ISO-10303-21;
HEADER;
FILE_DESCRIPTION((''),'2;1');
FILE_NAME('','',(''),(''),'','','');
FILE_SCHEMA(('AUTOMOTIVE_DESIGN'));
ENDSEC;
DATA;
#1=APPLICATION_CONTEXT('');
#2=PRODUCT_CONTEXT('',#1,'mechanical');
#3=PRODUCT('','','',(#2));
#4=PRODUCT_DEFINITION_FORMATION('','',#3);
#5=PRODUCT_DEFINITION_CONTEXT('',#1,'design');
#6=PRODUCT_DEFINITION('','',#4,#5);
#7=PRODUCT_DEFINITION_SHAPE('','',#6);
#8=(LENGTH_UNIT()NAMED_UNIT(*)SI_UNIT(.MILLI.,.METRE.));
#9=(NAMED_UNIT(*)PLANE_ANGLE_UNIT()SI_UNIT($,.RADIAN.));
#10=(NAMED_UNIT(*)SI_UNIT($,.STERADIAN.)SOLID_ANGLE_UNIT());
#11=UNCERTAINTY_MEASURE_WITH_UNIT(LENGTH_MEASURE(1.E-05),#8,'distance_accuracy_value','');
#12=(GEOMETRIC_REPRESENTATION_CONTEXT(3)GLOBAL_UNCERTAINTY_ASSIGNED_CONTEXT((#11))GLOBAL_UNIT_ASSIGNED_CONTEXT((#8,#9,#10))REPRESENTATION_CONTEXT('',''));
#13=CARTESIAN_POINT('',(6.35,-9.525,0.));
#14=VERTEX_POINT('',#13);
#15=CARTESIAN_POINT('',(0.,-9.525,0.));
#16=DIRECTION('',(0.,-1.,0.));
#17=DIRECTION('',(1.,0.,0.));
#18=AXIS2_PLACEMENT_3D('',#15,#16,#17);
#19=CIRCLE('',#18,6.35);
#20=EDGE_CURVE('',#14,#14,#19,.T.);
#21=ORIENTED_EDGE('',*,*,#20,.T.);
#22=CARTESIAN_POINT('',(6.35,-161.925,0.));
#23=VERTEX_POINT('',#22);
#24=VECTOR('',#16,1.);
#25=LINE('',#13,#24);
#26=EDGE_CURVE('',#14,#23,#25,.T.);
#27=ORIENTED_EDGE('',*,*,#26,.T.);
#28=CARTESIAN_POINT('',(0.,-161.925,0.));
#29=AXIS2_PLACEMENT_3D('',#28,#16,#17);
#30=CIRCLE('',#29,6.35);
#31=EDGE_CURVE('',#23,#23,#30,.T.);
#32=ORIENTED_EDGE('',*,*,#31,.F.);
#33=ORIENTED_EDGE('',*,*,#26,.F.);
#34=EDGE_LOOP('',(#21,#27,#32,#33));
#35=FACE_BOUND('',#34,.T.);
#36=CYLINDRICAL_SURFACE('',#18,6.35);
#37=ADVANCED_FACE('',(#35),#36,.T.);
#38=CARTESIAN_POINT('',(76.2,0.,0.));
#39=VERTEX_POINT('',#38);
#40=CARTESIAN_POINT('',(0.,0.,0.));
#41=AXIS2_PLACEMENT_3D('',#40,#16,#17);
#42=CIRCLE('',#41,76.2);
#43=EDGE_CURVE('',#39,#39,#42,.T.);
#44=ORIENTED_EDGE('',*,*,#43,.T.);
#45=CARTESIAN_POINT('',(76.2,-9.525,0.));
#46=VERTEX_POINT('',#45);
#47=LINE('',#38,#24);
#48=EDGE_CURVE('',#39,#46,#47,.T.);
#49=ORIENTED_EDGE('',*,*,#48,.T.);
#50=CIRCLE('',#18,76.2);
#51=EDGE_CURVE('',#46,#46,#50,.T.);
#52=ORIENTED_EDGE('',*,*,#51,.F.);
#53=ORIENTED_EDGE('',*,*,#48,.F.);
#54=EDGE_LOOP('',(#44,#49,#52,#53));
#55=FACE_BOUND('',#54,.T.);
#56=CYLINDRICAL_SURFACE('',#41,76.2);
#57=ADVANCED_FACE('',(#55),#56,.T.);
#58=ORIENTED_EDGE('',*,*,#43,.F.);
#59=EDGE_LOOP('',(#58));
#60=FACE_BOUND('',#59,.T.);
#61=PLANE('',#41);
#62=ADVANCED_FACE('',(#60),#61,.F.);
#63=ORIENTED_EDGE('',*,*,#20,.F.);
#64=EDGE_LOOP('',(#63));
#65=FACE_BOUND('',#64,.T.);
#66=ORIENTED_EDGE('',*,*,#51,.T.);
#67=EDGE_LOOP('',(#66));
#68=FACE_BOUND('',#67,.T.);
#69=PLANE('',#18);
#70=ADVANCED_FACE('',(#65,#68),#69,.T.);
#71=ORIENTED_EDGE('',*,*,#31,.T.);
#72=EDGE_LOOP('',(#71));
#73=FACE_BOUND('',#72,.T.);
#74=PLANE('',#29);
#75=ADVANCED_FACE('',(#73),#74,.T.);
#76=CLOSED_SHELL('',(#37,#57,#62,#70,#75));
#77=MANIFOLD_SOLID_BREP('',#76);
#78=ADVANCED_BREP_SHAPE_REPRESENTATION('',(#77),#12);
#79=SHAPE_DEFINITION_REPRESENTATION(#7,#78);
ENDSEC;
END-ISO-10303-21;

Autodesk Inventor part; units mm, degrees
ref_plane "YZ Plane" through (0, 0, 0) normal (1, 0, 0) x (0, 1, 0)
ref_plane "XZ Plane" through (0, 0, 0) normal (0, 1, 0) x (-1, 0, 0)
ref_plane "XY Plane" through (0, 0, 0) normal (0, 0, 1) x (1, 0, 0)
sketch "Sketch1" plane through (0, 0, 0) normal (0, 0, 1) x (1, 0, 0)
  line L0 (0, 0) -> (76.2, 0)
  line L1 (76.2, 0) -> (76.2, -9.525)
  line L2 (76.2, -9.525) -> (6.35, -9.525)
  line L3 (6.35, -9.525) -> (6.35, -161.925)
  line L4 (6.35, -161.925) -> (0, -161.925)
  line L5 (0, 0) -> (0, -161.925)
  dimension "d0" = 76.2
  dimension "d1" = 9.525
  dimension "d2" = 69.85
  dimension "d3" = 152.4
revolve "Revolution1" add sketch "Sketch1" angle 360 about axis through (0, 0, 0) along (0, -1, 0)
ref_plane "Work Plane1" through (0, -4.7625, 0) normal (0, 1, 0) x (1, 0, 0)
properties part number "ballPlate"
